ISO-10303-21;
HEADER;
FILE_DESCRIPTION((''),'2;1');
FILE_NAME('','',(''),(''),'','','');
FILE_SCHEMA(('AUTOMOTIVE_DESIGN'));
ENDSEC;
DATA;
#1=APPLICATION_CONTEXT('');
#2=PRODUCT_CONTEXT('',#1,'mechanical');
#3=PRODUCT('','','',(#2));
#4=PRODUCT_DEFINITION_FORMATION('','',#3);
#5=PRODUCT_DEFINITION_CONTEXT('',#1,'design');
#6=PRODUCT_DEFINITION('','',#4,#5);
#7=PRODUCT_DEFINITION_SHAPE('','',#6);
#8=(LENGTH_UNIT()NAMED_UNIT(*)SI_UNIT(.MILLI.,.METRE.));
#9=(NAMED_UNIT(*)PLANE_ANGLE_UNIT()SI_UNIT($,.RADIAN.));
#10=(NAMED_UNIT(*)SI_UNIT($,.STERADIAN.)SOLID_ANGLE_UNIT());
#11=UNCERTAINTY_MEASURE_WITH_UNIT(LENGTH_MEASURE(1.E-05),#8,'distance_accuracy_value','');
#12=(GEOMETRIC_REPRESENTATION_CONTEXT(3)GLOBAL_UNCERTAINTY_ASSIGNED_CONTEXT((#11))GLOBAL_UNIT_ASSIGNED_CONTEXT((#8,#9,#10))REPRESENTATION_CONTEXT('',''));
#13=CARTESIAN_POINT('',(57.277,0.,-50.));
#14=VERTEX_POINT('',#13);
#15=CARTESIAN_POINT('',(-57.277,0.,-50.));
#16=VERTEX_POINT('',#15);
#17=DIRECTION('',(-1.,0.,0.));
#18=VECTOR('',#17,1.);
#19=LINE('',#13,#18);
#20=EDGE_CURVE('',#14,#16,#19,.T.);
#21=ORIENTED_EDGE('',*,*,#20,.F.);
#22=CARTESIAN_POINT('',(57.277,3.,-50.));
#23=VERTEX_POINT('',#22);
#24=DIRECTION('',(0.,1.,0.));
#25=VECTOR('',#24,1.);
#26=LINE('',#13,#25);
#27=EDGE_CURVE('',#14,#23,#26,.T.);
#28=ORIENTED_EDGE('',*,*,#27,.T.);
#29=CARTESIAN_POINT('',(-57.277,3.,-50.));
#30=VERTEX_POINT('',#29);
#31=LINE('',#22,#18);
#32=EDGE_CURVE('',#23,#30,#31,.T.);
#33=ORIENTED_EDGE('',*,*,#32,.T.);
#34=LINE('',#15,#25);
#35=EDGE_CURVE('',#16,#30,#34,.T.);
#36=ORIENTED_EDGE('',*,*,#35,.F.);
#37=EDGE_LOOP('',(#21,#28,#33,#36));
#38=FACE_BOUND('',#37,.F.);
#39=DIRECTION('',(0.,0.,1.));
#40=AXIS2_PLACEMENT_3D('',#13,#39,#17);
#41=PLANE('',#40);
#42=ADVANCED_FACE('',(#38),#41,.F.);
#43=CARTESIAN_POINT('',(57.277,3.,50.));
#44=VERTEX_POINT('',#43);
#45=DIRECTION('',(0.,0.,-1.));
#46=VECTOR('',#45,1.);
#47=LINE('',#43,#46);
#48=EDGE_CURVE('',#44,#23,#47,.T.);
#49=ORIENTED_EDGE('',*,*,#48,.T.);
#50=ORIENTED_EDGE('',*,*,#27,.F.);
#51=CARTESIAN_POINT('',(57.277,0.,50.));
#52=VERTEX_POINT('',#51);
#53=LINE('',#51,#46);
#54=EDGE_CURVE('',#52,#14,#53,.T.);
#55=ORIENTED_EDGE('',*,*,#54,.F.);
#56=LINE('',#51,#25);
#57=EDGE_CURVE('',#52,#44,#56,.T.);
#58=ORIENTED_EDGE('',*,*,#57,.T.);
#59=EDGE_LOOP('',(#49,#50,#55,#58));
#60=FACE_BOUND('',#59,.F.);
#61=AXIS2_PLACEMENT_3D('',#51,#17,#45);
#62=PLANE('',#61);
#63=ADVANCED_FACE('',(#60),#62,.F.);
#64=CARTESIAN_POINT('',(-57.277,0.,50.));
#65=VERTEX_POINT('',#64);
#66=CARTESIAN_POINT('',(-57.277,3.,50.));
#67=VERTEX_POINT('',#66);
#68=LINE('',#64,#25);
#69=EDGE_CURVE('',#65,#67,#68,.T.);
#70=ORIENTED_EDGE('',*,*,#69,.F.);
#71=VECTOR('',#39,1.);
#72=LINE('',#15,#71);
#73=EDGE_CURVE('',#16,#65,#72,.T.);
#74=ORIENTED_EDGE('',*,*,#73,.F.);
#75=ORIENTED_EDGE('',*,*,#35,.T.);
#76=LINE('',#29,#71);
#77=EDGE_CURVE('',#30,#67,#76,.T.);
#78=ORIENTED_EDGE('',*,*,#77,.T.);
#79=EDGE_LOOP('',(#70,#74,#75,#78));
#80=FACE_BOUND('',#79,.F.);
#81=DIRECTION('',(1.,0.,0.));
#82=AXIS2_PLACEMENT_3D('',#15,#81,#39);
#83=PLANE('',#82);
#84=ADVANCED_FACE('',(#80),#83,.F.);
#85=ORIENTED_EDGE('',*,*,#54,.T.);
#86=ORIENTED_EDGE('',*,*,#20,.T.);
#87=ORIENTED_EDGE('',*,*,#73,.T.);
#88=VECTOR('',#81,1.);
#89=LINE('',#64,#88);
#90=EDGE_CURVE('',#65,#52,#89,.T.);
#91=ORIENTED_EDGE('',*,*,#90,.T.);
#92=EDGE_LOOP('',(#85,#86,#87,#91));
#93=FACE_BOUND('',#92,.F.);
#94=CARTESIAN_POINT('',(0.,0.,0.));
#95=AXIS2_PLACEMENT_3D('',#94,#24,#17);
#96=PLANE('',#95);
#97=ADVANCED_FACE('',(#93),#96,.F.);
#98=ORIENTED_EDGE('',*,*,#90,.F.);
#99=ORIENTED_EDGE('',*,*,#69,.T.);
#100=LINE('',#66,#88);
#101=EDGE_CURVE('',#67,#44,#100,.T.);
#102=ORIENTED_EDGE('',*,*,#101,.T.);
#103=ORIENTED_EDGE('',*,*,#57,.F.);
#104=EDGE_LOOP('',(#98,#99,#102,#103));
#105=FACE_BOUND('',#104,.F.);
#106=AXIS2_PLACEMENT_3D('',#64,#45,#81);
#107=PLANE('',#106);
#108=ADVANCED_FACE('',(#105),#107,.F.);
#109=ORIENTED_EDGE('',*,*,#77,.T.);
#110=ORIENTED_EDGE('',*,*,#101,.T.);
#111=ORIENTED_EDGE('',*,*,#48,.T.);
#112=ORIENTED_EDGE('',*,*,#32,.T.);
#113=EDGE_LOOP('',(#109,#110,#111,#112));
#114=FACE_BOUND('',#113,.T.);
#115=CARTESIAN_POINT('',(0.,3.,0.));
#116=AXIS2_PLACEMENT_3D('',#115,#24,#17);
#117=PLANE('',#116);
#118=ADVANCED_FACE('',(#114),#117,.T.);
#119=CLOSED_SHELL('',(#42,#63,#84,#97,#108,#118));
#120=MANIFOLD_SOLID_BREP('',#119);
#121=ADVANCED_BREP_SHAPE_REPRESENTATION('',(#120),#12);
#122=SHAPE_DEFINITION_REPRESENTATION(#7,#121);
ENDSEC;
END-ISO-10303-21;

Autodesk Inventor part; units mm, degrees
ref_plane "YZ Plane" through (0, 0, 0) normal (1, 0, 0) x (0, 1, 0)
ref_plane "XZ Plane" through (0, 0, 0) normal (0, 1, 0) x (-1, 0, 0)
ref_plane "XY Plane" through (0, 0, 0) normal (0, 0, 1) x (1, 0, 0)
sketch "Sketch1" plane through (0, 0, 0) normal (0, 1, 0) x (-1, 0, 0)
  line L0 (57.277, 50) -> (-57.277, 50)
  line L1 (-57.277, 50) -> (-57.277, -50)
  line L2 (-57.277, -50) -> (57.277, -50)
  line L3 (57.277, -50) -> (57.277, 50)
  line L4 (57.277, 50) -> (-57.277, -50) construction
  line L5 (-57.277, 50) -> (57.277, -50) construction
  point P0 (0, 0)
  dimension "d0" = 100
  dimension "d1" = 114.554
extrude "Extrusion1" add sketch "Sketch1" along normal blind 3
properties part number "Flu-Expansion-RS3" material "Steel"
